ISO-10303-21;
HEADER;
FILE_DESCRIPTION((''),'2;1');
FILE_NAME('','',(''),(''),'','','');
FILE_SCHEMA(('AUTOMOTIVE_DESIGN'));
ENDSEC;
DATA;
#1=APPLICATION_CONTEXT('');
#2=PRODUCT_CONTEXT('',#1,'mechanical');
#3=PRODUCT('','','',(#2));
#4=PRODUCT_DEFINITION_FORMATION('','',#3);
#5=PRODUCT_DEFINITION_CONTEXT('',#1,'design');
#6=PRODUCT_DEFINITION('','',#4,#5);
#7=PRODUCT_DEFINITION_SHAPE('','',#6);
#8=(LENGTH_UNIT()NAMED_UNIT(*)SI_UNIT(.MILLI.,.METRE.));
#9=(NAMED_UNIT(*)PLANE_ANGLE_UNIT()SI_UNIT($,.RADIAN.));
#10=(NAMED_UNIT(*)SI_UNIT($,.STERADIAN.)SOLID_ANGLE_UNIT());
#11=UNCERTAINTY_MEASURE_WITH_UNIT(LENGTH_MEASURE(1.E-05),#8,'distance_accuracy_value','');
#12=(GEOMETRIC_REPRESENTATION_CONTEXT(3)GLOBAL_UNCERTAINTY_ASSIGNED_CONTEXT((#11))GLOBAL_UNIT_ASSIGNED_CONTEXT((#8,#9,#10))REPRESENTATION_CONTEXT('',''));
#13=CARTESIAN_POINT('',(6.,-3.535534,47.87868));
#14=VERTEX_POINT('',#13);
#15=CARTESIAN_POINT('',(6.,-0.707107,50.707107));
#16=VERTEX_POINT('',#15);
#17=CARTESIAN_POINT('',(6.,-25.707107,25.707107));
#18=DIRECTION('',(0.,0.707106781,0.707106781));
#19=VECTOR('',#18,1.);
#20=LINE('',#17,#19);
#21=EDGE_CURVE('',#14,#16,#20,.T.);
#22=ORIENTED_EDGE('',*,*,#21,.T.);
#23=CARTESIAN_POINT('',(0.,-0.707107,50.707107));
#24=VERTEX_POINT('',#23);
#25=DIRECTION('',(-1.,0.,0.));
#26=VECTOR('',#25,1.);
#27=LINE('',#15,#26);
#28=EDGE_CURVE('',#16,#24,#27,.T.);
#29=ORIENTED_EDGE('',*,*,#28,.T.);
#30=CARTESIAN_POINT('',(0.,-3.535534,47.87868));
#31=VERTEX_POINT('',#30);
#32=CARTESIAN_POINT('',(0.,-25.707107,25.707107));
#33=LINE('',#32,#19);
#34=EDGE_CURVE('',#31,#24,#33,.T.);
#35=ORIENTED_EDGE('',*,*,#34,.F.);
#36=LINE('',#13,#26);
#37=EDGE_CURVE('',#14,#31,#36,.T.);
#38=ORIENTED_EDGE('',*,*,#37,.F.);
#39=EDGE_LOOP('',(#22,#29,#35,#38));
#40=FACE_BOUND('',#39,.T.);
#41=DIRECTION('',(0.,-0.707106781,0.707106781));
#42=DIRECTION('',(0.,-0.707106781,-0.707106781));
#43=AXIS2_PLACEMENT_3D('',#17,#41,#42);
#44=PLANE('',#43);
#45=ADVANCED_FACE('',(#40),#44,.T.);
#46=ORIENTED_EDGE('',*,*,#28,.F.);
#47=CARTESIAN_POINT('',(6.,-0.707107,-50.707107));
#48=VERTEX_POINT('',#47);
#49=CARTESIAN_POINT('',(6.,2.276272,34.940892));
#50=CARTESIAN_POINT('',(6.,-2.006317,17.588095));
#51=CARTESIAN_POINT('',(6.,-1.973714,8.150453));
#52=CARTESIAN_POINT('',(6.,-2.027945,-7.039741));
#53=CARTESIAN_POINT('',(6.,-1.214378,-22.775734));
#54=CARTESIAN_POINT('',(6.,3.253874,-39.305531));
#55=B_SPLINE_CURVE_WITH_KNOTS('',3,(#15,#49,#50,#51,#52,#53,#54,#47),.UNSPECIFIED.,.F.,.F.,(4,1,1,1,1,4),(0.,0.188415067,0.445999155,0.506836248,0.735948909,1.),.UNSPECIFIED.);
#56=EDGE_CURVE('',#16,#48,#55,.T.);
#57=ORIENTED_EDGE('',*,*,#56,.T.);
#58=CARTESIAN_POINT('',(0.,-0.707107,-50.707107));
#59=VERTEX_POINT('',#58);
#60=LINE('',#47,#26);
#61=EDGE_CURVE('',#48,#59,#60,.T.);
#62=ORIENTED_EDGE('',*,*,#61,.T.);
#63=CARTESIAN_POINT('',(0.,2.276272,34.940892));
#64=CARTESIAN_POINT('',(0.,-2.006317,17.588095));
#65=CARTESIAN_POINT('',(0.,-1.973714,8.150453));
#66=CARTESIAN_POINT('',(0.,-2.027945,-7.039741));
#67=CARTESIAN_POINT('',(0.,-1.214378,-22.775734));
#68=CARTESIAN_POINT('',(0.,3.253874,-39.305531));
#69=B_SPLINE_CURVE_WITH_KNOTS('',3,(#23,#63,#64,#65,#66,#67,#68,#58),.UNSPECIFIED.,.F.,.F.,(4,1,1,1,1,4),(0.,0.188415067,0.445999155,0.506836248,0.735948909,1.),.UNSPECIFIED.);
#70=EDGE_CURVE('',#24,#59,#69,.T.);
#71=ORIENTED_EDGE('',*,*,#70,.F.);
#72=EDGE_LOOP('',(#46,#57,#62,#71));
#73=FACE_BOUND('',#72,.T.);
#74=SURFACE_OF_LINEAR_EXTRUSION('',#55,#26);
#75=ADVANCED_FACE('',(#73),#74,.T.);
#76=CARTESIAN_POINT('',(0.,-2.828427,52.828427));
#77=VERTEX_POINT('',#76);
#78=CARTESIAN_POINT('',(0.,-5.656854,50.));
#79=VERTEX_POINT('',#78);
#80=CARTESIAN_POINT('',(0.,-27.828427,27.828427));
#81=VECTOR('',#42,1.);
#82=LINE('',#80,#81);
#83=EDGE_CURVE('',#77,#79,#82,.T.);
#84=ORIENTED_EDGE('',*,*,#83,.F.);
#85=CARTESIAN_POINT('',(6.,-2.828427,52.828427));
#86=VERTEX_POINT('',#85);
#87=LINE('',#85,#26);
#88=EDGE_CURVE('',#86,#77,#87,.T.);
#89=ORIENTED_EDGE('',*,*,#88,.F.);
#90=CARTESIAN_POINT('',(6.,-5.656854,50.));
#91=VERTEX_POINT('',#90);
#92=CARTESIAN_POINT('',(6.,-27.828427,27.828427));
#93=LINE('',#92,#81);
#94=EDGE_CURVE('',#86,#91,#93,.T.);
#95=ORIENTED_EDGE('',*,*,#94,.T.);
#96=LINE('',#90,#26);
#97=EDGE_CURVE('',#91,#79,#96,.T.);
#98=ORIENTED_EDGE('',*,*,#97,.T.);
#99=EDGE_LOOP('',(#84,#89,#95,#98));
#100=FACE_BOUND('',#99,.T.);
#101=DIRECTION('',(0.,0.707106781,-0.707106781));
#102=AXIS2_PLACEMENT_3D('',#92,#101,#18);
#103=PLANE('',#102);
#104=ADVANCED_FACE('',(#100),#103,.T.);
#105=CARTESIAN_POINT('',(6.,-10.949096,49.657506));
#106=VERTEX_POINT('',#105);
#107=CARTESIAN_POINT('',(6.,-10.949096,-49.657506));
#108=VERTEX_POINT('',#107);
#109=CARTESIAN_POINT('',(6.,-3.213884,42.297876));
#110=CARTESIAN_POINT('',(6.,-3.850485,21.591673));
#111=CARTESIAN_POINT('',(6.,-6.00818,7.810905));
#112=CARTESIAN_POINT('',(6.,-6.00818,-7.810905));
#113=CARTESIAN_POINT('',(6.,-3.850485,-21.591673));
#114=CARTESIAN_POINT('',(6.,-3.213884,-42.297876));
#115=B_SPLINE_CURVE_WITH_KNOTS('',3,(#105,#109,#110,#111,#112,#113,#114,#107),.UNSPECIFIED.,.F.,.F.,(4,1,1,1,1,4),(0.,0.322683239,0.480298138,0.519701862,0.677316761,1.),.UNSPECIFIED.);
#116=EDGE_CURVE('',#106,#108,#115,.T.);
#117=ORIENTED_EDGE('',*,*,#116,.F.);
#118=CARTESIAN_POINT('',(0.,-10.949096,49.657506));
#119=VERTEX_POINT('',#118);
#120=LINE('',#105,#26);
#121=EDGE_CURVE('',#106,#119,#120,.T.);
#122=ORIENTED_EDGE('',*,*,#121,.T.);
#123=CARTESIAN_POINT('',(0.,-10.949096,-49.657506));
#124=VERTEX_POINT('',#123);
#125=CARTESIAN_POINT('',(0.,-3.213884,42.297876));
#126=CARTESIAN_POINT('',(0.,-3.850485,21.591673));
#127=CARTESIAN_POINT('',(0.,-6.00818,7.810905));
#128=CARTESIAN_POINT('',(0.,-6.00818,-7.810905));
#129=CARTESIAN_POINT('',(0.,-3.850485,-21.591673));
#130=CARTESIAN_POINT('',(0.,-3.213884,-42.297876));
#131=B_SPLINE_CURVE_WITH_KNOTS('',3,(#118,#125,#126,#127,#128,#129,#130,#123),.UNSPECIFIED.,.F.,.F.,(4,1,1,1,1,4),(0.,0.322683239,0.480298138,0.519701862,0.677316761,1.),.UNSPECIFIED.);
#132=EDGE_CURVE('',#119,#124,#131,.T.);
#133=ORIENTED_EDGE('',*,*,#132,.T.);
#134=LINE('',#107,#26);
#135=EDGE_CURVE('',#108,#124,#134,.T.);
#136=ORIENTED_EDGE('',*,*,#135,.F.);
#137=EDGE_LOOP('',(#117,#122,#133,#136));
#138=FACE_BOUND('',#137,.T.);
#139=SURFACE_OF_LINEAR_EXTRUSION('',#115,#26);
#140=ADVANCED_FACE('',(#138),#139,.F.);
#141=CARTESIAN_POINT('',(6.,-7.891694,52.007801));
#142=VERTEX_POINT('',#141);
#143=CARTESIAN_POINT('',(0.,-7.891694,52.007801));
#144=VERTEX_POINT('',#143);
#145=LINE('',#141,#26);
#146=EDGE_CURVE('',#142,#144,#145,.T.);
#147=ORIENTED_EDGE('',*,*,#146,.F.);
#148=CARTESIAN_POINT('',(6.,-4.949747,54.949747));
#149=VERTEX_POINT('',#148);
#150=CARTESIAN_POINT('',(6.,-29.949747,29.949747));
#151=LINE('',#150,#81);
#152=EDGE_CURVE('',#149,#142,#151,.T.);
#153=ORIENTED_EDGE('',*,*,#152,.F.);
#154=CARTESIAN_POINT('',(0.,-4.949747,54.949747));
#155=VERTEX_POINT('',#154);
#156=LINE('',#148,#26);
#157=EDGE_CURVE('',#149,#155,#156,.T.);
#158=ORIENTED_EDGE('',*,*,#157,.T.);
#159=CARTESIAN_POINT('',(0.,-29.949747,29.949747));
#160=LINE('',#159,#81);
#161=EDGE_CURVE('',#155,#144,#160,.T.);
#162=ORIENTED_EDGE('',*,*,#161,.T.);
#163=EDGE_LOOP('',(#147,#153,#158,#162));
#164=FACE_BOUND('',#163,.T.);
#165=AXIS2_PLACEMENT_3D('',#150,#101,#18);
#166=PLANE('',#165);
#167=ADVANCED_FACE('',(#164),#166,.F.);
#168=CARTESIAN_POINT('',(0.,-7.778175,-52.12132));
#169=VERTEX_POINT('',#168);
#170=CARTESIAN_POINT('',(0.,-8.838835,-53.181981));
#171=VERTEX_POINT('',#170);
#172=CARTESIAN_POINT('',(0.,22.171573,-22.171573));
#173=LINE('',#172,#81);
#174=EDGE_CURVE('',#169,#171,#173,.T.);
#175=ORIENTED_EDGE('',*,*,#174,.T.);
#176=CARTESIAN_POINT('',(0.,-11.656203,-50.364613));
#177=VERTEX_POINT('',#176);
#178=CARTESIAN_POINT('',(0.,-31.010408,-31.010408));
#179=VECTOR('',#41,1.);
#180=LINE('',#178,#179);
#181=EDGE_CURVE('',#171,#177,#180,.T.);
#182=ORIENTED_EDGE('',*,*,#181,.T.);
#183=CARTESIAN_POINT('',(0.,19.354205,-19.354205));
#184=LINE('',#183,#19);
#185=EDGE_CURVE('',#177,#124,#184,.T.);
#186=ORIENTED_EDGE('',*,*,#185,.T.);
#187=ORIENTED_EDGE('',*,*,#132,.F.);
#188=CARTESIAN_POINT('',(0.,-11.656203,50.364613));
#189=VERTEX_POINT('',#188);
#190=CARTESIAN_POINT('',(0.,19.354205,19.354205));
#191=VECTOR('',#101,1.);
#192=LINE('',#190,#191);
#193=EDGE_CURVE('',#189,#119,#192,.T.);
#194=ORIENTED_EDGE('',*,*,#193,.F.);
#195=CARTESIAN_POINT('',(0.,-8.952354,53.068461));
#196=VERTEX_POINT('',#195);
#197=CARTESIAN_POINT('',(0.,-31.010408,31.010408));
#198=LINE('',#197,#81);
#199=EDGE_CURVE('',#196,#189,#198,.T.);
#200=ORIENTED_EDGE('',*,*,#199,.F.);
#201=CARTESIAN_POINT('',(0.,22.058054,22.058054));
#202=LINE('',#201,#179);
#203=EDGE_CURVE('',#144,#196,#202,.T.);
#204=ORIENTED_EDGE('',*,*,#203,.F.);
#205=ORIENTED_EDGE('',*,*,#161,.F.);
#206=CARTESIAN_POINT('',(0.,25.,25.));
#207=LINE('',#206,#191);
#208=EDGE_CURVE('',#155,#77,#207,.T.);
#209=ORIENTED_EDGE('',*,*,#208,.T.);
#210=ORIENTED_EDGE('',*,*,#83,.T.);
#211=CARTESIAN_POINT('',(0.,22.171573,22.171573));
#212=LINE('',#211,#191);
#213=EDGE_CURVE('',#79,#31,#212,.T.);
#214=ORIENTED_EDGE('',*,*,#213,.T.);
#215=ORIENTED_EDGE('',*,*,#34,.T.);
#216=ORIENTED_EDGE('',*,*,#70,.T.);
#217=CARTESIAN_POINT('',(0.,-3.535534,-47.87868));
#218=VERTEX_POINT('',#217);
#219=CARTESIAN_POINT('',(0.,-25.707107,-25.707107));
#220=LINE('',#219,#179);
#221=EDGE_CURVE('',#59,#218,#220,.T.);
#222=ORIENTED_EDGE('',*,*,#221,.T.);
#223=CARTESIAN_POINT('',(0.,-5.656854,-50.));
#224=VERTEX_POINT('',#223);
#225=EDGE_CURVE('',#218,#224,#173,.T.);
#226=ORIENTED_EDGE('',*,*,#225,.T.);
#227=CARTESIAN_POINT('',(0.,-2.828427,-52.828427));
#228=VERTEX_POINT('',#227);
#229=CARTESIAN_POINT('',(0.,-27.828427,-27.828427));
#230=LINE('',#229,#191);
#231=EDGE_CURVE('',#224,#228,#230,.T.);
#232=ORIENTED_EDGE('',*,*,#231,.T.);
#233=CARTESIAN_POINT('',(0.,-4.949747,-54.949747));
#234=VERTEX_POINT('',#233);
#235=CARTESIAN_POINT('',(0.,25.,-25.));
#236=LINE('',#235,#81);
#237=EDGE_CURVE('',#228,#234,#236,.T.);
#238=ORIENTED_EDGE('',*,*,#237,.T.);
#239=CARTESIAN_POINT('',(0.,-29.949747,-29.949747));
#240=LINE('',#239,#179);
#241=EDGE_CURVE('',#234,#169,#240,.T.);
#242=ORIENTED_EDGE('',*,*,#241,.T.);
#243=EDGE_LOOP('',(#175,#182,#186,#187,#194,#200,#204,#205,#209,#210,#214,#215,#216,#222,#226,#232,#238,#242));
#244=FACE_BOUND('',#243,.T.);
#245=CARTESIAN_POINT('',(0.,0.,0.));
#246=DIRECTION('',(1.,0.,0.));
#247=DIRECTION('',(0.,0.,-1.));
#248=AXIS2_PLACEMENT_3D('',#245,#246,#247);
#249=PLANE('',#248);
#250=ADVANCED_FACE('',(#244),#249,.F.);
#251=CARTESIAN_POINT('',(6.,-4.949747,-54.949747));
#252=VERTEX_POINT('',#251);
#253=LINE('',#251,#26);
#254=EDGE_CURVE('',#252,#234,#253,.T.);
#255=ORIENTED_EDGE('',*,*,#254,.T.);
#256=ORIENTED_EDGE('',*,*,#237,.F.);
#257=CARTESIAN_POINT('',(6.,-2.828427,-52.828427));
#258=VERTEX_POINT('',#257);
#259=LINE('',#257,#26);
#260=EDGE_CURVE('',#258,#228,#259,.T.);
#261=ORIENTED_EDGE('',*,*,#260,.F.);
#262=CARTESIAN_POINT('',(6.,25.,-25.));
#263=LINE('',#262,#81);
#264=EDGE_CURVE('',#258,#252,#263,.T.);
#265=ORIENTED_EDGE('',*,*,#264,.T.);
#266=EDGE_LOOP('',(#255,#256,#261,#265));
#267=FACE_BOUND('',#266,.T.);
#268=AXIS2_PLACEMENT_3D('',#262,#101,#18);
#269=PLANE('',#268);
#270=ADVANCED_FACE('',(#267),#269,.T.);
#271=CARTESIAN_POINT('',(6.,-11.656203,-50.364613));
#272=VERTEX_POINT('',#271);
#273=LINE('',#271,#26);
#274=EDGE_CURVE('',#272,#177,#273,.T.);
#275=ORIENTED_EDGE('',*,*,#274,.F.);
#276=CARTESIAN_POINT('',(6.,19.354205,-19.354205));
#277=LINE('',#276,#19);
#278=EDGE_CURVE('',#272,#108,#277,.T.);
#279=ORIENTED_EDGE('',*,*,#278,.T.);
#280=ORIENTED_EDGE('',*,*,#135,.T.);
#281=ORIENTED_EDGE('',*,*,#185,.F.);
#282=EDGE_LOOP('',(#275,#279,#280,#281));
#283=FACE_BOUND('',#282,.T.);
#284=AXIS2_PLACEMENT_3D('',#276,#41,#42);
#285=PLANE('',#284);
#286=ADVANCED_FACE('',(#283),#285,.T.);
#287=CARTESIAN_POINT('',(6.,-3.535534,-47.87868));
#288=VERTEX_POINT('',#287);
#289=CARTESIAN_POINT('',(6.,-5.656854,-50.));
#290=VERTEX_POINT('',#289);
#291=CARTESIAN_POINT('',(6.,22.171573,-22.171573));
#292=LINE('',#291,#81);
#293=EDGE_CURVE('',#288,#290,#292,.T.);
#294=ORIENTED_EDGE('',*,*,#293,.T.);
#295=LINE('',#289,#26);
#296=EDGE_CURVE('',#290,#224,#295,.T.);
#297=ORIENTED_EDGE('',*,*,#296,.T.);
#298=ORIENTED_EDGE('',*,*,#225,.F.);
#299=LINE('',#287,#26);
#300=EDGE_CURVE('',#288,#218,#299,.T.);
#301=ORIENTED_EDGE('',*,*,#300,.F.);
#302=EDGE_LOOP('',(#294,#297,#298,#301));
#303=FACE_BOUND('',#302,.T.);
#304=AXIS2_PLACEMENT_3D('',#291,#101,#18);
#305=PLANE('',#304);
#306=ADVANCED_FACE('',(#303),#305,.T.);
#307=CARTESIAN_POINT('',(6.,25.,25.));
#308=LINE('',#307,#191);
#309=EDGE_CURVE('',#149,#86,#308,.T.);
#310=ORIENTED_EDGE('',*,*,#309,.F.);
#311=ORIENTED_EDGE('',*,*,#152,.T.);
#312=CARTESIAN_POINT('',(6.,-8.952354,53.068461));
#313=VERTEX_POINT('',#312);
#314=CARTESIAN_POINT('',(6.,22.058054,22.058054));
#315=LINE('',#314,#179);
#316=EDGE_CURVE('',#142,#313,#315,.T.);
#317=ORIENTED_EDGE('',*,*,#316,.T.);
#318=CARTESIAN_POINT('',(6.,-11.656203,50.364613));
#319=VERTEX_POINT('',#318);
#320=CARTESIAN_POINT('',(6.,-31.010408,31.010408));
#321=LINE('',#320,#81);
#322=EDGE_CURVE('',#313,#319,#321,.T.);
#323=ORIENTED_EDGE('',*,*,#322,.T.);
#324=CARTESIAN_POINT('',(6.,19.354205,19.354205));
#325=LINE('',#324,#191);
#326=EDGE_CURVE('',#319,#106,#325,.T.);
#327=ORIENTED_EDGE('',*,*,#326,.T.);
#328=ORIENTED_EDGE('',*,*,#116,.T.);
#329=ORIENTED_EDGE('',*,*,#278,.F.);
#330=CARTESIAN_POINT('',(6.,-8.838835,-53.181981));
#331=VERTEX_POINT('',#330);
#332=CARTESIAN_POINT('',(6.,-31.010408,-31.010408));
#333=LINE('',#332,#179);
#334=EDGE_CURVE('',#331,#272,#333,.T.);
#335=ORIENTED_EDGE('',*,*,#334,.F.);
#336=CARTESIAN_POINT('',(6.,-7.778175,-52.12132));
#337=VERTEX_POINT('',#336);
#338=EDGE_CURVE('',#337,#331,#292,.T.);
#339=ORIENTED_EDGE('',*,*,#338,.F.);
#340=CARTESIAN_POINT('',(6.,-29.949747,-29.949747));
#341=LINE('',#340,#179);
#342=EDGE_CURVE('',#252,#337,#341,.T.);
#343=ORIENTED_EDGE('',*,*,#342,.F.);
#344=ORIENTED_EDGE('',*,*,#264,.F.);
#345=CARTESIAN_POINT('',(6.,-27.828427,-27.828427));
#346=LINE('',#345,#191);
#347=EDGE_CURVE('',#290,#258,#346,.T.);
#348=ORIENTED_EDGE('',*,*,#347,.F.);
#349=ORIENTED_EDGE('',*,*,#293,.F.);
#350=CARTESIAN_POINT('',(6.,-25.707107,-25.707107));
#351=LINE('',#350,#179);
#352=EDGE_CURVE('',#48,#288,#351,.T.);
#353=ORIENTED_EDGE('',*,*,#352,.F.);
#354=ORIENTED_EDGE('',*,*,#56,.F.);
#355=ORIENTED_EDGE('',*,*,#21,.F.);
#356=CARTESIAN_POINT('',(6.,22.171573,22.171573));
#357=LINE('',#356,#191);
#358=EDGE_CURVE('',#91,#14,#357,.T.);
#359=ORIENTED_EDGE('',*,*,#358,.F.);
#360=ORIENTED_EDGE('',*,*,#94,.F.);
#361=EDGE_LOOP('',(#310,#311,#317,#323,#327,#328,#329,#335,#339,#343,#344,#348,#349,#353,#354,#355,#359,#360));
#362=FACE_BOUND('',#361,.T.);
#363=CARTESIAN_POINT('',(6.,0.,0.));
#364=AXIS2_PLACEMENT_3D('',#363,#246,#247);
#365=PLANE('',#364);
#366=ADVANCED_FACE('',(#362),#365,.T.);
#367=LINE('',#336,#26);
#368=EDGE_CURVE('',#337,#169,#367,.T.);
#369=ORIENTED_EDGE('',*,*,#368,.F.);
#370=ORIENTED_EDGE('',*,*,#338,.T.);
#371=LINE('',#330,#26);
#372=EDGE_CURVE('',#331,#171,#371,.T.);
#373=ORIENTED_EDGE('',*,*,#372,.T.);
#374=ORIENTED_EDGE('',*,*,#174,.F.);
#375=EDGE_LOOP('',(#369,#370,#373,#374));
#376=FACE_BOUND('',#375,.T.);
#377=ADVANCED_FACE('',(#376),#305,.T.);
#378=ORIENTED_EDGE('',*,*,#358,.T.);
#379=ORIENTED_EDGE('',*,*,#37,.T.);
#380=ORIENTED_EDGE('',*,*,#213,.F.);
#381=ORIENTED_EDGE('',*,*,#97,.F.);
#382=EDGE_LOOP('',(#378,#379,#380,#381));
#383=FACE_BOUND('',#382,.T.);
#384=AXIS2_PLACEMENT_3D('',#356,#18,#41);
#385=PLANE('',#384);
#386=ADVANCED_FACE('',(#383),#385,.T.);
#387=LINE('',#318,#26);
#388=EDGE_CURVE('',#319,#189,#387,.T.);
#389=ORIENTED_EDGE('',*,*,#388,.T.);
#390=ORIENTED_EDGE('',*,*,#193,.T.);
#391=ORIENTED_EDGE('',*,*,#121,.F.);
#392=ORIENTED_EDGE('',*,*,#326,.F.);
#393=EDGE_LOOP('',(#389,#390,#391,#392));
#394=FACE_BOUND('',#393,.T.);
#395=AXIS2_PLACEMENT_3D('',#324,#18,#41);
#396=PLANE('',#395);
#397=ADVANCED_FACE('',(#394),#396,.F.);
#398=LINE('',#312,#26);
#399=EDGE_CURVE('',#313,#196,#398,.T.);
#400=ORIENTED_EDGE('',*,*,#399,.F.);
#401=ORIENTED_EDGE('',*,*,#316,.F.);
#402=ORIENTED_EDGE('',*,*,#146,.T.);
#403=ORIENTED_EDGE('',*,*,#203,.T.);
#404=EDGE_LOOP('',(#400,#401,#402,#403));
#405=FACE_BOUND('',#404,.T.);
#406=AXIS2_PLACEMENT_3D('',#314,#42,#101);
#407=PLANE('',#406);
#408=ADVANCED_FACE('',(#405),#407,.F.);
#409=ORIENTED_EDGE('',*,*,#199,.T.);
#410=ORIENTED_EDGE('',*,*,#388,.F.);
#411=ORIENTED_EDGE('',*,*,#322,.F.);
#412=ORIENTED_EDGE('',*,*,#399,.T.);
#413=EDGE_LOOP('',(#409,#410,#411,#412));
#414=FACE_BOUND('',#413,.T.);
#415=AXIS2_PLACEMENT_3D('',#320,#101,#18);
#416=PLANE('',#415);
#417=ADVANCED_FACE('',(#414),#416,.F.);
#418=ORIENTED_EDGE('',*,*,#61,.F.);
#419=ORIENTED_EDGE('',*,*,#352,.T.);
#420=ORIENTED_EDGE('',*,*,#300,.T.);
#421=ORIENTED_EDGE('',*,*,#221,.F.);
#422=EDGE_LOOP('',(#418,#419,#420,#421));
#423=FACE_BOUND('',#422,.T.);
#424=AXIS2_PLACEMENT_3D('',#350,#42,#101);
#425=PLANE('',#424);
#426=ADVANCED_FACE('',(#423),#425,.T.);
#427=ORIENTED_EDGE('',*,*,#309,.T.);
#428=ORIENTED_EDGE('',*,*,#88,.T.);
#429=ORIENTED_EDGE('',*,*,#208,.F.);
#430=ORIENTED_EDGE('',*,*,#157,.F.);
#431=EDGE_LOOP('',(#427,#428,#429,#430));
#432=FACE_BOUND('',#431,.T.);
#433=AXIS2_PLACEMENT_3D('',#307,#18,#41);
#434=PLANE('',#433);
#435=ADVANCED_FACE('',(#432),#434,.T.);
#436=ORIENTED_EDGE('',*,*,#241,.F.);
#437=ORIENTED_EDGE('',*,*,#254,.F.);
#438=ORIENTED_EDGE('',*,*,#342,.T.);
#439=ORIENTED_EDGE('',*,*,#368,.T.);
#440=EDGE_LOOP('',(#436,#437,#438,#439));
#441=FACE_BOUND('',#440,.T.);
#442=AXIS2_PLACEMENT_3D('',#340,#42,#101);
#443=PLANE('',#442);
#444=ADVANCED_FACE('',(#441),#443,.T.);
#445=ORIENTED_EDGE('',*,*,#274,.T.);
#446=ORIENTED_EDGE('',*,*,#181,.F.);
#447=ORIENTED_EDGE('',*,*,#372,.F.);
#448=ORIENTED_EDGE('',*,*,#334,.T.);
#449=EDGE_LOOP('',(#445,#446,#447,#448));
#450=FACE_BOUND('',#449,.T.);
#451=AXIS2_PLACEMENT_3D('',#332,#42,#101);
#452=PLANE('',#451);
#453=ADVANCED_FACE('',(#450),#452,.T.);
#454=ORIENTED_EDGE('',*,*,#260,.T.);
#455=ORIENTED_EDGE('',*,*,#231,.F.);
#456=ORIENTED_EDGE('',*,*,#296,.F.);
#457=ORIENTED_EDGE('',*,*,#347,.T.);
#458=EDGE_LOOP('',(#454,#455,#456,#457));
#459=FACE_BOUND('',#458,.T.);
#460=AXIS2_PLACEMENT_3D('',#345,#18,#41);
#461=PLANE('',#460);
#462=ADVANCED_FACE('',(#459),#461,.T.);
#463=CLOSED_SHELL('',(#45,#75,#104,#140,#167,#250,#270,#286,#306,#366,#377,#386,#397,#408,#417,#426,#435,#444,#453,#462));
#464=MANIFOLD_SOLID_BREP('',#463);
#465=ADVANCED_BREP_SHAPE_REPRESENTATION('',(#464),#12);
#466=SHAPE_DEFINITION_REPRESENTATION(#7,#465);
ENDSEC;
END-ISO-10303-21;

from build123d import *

# Parameters (mm, degrees)
ESTRUSIONE_ESTRUSIONE1_DEPTH = 6


with BuildPart() as part:
    # Schizzo1 → Estrusione-Estrusione1 (new body)
    with BuildSketch(Plane(origin=(0, 0, 0), x_dir=(0, 0, -1), z_dir=(1, 0, 0))):
        with BuildLine():
            Line((-54.949747468, -4.949747468), (-52.828427125, -2.828427125))
            Line((-52.828427125, -2.828427125), (-50, -5.656854249))
            Line((-50, -5.656854249), (-47.878679656, -3.535533906))
            Line((-47.878679656, -3.535533906), (-50.707106781, -0.707106781))
            add(Edge.make_bspline(
                [(-50.707106781, -0.707106781), (-34.940891697, 2.276271887), (-17.588095178, -2.006317394), (-8.15045286, -1.973714009), (7.039741041, -2.027945044), (22.77573383, -1.214378117), (39.305531053, 3.253874033), (50.707106781, -0.707106781)],
                knots=[0, 0, 0, 0, 0.188415067, 0.445999155, 0.506836248, 0.735948909, 1, 1, 1, 1], degree=3))
            Line((50.707106781, -0.707106781), (47.878679656, -3.535533906))
            Line((47.878679656, -3.535533906), (50, -5.656854249))
            Line((50, -5.656854249), (52.828427125, -2.828427125))
            Line((52.828427125, -2.828427125), (54.949747468, -4.949747468))
            Line((54.949747468, -4.949747468), (52.121320344, -7.778174593))
            Line((52.121320344, -7.778174593), (53.181980515, -8.838834765))
            Line((53.181980515, -8.838834765), (50.364612745, -11.656202535))
            Line((50.364612745, -11.656202535), (49.657505964, -10.949095754))
            add(Edge.make_bspline(
                [(-49.657505964, -10.949095754), (-42.297875545, -3.213884189), (-21.591673469, -3.850484781), (-7.81090535, -6.008179807), (7.81090535, -6.008179807), (21.591673469, -3.850484781), (42.297875545, -3.213884189), (49.657505964, -10.949095754)],
                knots=[0, 0, 0, 0, 0.322683239, 0.480298138, 0.519701862, 0.677316761, 1, 1, 1, 1], degree=3))
            Line((-49.657505964, -10.949095754), (-50.364612745, -11.656202535))
            Line((-50.364612745, -11.656202535), (-53.06846134, -8.95235394))
            Line((-53.06846134, -8.95235394), (-52.007801168, -7.891693768))
            Line((-52.007801168, -7.891693768), (-54.949747468, -4.949747468))
        make_face()
    extrude(amount=ESTRUSIONE_ESTRUSIONE1_DEPTH)


solid = part.part
